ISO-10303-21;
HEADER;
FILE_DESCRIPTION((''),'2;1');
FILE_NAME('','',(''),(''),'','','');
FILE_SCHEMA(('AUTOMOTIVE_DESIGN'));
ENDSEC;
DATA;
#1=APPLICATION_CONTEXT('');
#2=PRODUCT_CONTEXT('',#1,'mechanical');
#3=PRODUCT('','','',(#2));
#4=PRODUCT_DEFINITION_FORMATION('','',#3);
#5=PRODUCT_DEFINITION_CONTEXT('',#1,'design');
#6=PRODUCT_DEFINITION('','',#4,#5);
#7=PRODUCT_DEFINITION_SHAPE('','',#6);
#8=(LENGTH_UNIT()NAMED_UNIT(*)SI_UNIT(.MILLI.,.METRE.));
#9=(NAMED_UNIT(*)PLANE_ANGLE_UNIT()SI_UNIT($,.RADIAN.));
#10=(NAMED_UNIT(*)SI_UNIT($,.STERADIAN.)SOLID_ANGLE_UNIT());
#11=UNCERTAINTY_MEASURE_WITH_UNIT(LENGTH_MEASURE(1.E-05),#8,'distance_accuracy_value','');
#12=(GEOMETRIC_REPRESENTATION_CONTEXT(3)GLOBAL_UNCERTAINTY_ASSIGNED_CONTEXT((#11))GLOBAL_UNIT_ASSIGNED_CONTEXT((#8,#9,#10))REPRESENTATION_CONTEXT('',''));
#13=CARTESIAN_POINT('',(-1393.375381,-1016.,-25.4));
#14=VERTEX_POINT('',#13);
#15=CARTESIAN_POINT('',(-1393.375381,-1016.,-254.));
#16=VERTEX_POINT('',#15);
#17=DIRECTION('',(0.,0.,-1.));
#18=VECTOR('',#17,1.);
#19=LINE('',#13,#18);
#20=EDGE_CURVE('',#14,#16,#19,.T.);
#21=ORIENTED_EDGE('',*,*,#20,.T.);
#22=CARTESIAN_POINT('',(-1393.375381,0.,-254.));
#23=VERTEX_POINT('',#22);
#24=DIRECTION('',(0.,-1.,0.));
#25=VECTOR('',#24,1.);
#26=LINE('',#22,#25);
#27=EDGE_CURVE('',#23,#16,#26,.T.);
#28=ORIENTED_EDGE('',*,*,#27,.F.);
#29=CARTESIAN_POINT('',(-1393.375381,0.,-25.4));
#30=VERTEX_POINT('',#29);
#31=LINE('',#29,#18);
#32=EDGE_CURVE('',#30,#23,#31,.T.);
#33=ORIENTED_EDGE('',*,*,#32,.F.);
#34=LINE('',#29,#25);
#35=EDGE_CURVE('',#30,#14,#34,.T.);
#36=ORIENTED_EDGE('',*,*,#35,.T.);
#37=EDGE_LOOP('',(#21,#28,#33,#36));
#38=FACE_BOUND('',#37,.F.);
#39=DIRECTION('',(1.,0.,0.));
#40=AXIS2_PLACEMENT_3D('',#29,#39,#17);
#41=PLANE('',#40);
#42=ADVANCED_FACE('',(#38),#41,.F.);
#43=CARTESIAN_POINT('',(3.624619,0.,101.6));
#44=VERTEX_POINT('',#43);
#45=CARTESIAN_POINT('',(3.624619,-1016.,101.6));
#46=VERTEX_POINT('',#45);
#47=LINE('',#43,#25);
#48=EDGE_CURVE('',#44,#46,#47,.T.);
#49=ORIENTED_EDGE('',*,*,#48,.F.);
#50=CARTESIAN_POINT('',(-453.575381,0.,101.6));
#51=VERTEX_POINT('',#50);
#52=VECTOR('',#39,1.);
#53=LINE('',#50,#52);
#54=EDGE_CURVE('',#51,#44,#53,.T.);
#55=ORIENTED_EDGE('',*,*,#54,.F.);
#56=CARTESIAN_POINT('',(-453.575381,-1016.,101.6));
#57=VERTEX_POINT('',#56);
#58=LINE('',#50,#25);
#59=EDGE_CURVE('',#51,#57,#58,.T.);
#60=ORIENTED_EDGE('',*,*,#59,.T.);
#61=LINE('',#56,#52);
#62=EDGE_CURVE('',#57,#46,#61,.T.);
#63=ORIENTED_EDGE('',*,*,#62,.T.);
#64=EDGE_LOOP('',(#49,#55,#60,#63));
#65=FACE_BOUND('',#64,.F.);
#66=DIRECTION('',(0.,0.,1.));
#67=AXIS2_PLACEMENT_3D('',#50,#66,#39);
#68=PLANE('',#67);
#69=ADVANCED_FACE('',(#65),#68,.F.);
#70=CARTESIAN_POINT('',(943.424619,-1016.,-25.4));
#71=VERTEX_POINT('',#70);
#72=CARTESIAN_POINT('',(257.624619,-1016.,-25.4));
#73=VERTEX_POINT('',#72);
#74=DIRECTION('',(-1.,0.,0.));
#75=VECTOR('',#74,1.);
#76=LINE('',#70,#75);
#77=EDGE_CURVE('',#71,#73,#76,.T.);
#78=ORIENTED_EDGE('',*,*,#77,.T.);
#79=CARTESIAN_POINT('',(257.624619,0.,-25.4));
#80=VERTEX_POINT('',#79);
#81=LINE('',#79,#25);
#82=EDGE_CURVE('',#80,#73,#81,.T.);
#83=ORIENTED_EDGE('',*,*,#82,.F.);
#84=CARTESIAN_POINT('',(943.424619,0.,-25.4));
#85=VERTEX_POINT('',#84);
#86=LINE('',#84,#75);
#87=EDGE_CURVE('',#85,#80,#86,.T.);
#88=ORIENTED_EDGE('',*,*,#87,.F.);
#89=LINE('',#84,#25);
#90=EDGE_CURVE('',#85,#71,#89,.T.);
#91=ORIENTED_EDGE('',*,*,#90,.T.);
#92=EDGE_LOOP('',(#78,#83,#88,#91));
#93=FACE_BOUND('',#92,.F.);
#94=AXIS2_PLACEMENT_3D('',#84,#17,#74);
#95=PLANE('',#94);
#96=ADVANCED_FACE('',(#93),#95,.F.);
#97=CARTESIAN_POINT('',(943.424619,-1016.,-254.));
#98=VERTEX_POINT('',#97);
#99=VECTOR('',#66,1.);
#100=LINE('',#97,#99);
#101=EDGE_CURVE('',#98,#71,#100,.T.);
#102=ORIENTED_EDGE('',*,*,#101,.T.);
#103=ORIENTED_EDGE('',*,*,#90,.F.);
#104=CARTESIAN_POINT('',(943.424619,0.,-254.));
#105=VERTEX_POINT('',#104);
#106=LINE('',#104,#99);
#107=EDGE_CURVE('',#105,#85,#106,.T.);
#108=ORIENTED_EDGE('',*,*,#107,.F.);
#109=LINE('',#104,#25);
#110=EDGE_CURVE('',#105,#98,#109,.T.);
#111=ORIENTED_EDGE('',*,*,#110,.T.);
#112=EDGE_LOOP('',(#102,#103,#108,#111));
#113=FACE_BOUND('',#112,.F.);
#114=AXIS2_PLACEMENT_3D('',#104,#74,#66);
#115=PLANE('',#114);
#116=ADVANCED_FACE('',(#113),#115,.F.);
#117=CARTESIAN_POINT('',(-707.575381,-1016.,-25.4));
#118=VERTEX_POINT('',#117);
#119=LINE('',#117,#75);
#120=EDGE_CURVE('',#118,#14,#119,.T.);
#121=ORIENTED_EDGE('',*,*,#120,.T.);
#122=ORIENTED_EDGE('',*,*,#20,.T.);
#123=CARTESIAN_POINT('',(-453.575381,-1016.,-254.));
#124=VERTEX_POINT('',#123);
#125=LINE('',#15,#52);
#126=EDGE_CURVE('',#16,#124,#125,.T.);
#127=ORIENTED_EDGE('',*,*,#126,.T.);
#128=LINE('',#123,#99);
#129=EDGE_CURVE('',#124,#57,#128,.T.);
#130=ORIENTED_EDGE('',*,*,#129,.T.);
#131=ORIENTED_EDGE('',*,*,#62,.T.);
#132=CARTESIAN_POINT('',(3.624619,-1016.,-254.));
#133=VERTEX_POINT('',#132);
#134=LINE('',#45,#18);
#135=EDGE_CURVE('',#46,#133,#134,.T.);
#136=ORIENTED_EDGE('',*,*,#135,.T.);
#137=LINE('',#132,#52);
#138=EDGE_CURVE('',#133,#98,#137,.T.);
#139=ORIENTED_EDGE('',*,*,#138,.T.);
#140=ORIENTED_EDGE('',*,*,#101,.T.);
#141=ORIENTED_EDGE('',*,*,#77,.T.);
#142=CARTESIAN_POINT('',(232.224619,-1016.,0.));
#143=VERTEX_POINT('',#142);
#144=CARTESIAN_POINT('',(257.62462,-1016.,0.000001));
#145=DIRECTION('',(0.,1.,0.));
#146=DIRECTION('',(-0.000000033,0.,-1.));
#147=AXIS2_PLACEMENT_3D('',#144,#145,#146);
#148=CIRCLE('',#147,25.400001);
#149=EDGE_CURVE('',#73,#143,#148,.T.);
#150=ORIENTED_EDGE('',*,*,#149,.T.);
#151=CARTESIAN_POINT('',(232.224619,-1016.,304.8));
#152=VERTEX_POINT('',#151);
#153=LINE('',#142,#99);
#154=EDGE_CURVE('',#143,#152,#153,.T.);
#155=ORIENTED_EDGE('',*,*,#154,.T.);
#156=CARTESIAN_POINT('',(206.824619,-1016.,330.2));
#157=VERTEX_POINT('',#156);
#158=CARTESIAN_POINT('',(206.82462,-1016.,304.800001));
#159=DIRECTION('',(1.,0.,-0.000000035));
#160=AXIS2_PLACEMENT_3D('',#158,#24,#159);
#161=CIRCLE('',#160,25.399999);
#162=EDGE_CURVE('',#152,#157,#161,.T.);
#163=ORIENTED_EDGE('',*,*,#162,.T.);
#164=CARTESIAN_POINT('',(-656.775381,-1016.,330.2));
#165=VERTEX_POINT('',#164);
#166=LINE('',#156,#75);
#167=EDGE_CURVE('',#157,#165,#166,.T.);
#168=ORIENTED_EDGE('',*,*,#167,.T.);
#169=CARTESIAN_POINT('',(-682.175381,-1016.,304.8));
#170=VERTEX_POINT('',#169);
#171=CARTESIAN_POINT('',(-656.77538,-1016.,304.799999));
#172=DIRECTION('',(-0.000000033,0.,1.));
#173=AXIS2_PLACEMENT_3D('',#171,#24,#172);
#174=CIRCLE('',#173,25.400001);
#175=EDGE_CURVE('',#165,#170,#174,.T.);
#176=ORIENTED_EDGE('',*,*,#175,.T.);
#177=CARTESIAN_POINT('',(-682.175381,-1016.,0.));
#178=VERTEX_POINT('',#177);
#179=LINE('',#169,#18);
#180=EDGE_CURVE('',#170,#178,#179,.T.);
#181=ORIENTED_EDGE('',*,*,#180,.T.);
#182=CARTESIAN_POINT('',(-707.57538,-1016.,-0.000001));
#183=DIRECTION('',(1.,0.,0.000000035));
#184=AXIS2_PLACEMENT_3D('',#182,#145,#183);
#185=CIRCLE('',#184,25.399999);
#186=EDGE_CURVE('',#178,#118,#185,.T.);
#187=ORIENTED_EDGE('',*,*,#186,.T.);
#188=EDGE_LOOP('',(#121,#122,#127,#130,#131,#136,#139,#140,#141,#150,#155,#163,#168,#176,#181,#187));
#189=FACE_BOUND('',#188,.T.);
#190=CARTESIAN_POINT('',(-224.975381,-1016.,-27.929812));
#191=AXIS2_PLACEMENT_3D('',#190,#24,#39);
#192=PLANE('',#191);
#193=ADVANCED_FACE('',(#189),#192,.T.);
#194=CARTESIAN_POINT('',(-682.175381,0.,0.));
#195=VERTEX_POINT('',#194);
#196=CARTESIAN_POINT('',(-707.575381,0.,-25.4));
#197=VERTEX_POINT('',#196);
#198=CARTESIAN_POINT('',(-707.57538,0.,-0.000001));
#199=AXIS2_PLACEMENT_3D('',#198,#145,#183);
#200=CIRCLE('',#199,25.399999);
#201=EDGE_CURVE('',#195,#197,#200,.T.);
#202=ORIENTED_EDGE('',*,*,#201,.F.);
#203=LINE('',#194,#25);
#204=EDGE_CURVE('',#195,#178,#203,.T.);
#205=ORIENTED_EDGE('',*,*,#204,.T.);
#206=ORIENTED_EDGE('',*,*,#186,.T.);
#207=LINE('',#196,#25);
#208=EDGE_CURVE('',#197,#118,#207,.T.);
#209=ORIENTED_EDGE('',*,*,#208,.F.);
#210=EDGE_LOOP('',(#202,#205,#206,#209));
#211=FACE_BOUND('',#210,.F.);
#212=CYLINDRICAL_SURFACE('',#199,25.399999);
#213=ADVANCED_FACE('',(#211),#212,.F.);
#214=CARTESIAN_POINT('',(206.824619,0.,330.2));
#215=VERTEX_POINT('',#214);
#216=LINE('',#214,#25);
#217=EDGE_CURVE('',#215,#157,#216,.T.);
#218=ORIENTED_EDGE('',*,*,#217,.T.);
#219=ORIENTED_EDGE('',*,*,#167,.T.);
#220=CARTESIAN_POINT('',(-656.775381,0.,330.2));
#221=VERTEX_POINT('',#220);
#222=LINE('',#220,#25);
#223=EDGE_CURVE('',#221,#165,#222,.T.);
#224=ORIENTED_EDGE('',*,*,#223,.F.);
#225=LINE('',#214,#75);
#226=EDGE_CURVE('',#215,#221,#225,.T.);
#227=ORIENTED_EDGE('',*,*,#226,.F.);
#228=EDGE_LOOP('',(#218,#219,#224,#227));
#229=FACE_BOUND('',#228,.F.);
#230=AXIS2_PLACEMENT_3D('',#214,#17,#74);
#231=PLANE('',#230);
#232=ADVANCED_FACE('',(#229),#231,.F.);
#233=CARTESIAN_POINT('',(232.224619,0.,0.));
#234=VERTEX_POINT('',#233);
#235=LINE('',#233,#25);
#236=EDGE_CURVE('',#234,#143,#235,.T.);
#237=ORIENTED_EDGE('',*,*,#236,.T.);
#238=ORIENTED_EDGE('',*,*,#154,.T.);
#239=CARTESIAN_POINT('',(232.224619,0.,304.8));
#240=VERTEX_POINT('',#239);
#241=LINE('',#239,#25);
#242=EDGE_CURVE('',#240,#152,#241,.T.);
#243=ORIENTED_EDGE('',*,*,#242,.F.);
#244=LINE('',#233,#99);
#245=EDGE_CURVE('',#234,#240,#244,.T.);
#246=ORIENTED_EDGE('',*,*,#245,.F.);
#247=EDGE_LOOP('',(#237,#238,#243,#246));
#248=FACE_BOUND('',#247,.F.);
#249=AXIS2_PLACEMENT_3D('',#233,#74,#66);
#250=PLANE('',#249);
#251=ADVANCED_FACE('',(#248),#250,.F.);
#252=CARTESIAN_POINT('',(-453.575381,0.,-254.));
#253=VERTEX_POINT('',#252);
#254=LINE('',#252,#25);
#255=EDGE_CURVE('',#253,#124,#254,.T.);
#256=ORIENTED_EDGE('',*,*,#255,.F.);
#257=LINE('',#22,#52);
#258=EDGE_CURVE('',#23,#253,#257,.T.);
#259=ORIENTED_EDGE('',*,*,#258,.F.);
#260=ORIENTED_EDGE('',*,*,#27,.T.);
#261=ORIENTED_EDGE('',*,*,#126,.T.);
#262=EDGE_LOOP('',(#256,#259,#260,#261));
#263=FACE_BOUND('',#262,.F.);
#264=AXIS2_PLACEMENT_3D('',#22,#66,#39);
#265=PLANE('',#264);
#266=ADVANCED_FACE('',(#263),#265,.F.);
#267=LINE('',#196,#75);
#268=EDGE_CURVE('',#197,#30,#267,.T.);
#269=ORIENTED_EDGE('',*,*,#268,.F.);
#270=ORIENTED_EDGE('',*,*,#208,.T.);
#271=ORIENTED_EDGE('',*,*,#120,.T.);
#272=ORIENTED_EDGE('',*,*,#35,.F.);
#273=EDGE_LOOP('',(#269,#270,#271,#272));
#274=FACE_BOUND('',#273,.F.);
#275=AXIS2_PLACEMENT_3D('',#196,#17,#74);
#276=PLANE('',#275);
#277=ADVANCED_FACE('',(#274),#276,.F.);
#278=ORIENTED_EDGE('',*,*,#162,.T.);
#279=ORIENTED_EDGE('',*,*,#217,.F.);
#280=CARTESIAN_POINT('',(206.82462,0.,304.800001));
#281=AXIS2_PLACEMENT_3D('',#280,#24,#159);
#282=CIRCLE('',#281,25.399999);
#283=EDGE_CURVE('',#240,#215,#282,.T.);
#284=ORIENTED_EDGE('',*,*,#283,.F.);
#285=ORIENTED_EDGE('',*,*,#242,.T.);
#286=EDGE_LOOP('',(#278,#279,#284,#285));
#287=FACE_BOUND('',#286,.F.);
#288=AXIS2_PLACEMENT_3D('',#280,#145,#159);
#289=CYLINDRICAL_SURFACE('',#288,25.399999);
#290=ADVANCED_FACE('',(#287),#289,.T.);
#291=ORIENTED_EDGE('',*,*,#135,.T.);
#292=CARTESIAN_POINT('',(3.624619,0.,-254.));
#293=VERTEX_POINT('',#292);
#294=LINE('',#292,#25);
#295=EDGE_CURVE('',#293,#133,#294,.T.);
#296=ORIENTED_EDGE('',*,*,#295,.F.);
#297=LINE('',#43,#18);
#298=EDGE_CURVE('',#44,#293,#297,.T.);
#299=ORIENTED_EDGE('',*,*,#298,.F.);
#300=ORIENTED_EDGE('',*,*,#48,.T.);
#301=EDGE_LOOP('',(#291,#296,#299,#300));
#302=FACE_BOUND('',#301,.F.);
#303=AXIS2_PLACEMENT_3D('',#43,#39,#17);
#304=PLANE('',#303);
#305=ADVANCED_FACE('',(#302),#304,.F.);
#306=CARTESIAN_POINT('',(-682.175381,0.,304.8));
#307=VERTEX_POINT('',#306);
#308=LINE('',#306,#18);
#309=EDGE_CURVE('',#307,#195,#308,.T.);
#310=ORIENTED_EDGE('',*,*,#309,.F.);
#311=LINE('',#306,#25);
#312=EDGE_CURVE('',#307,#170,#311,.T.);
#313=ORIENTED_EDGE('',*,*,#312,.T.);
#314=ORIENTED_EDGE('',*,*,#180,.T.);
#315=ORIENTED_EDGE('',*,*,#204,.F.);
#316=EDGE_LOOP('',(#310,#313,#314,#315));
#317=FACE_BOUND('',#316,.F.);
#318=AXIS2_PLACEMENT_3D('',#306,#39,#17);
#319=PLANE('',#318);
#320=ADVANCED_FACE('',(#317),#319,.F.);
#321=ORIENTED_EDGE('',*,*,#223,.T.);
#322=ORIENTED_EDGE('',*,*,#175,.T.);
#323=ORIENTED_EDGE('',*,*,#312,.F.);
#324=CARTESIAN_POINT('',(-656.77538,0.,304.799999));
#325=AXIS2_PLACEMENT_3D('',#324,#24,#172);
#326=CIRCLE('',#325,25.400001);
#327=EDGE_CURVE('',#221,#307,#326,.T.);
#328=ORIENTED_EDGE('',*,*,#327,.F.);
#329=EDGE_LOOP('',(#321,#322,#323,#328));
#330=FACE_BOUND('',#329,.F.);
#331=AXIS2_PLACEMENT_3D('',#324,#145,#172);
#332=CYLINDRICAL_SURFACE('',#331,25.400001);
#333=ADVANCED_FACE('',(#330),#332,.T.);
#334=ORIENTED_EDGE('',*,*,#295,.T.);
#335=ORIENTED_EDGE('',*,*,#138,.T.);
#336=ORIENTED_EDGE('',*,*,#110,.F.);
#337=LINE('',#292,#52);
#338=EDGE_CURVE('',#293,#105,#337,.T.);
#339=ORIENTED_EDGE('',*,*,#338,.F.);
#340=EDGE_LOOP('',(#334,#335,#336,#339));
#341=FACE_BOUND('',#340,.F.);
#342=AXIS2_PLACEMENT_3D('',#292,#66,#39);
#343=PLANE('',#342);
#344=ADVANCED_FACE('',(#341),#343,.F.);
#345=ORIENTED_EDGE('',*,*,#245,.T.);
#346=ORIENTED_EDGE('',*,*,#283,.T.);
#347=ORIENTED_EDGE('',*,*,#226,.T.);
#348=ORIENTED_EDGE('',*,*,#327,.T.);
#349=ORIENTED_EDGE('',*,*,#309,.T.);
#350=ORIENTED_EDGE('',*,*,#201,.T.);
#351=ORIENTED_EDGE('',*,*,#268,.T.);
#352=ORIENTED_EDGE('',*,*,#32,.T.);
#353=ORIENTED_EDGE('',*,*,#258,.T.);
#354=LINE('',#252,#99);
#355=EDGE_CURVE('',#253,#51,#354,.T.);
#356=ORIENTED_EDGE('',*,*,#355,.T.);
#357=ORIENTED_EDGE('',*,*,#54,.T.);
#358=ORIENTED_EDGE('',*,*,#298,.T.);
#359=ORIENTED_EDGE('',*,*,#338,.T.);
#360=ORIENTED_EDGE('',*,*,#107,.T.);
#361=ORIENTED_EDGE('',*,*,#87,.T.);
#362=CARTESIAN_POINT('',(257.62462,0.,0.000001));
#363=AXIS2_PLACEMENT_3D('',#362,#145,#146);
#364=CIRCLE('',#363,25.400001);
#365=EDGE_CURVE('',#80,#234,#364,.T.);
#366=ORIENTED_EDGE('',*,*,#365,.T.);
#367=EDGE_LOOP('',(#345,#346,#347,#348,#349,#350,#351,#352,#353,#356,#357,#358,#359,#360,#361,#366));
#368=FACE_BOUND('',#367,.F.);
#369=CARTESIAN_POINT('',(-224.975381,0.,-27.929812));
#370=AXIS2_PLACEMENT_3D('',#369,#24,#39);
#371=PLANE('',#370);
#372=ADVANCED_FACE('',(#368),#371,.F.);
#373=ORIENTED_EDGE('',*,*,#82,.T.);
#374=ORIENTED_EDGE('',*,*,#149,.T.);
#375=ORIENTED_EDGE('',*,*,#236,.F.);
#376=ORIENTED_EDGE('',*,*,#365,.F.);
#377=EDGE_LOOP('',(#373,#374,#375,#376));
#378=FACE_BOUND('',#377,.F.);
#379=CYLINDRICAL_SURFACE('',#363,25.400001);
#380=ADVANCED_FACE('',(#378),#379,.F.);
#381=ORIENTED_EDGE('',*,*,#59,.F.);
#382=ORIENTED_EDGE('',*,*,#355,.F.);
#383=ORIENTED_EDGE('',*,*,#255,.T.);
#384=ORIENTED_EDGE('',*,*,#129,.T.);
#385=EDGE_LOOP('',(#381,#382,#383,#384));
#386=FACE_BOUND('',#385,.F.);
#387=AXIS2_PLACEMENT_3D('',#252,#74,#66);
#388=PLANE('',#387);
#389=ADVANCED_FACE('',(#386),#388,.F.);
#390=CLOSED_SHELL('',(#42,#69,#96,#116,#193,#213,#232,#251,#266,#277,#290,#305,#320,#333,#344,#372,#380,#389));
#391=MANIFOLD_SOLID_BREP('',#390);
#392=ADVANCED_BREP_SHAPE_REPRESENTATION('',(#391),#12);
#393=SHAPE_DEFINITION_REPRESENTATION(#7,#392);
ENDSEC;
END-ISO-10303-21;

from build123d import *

# Parameters (mm, degrees)
F1_DEPTH = 1016


with BuildPart() as f1:
    # F0 (on Front) → F1 (new body)
    with BuildSketch(Plane.XZ):
        with BuildLine():
            Line((-1393.375381, -25.4), (-1393.375381, -254))
            Line((-1393.375381, -254), (-453.575381, -254))
            Line((-453.575381, -254), (-453.575381, 101.6))
            Line((-453.575381, 101.6), (3.624619, 101.6))
            Line((3.624619, 101.6), (3.624619, -254))
            Line((3.624619, -254), (943.424619, -254))
            Line((943.424619, -254), (943.424619, -25.4))
            Line((943.424619, -25.4), (257.624619, -25.4))
            ThreePointArc((257.624619, -25.4), (239.664107, -17.960512), (232.224619, 0))
            Line((232.224619, 0), (232.224619, 304.8))
            ThreePointArc((232.224619, 304.8), (224.785132, 322.760512), (206.824619, 330.2))
            Line((206.824619, 330.2), (-656.775381, 330.2))
            ThreePointArc((-656.775381, 330.2), (-674.735893, 322.760512), (-682.175381, 304.8))
            Line((-682.175381, 304.8), (-682.175381, 0))
            ThreePointArc((-682.175381, 0), (-689.614868, -17.960512), (-707.575381, -25.4))
            Line((-707.575381, -25.4), (-1393.375381, -25.4))
        make_face()
    extrude(amount=F1_DEPTH)


solid = f1.part
